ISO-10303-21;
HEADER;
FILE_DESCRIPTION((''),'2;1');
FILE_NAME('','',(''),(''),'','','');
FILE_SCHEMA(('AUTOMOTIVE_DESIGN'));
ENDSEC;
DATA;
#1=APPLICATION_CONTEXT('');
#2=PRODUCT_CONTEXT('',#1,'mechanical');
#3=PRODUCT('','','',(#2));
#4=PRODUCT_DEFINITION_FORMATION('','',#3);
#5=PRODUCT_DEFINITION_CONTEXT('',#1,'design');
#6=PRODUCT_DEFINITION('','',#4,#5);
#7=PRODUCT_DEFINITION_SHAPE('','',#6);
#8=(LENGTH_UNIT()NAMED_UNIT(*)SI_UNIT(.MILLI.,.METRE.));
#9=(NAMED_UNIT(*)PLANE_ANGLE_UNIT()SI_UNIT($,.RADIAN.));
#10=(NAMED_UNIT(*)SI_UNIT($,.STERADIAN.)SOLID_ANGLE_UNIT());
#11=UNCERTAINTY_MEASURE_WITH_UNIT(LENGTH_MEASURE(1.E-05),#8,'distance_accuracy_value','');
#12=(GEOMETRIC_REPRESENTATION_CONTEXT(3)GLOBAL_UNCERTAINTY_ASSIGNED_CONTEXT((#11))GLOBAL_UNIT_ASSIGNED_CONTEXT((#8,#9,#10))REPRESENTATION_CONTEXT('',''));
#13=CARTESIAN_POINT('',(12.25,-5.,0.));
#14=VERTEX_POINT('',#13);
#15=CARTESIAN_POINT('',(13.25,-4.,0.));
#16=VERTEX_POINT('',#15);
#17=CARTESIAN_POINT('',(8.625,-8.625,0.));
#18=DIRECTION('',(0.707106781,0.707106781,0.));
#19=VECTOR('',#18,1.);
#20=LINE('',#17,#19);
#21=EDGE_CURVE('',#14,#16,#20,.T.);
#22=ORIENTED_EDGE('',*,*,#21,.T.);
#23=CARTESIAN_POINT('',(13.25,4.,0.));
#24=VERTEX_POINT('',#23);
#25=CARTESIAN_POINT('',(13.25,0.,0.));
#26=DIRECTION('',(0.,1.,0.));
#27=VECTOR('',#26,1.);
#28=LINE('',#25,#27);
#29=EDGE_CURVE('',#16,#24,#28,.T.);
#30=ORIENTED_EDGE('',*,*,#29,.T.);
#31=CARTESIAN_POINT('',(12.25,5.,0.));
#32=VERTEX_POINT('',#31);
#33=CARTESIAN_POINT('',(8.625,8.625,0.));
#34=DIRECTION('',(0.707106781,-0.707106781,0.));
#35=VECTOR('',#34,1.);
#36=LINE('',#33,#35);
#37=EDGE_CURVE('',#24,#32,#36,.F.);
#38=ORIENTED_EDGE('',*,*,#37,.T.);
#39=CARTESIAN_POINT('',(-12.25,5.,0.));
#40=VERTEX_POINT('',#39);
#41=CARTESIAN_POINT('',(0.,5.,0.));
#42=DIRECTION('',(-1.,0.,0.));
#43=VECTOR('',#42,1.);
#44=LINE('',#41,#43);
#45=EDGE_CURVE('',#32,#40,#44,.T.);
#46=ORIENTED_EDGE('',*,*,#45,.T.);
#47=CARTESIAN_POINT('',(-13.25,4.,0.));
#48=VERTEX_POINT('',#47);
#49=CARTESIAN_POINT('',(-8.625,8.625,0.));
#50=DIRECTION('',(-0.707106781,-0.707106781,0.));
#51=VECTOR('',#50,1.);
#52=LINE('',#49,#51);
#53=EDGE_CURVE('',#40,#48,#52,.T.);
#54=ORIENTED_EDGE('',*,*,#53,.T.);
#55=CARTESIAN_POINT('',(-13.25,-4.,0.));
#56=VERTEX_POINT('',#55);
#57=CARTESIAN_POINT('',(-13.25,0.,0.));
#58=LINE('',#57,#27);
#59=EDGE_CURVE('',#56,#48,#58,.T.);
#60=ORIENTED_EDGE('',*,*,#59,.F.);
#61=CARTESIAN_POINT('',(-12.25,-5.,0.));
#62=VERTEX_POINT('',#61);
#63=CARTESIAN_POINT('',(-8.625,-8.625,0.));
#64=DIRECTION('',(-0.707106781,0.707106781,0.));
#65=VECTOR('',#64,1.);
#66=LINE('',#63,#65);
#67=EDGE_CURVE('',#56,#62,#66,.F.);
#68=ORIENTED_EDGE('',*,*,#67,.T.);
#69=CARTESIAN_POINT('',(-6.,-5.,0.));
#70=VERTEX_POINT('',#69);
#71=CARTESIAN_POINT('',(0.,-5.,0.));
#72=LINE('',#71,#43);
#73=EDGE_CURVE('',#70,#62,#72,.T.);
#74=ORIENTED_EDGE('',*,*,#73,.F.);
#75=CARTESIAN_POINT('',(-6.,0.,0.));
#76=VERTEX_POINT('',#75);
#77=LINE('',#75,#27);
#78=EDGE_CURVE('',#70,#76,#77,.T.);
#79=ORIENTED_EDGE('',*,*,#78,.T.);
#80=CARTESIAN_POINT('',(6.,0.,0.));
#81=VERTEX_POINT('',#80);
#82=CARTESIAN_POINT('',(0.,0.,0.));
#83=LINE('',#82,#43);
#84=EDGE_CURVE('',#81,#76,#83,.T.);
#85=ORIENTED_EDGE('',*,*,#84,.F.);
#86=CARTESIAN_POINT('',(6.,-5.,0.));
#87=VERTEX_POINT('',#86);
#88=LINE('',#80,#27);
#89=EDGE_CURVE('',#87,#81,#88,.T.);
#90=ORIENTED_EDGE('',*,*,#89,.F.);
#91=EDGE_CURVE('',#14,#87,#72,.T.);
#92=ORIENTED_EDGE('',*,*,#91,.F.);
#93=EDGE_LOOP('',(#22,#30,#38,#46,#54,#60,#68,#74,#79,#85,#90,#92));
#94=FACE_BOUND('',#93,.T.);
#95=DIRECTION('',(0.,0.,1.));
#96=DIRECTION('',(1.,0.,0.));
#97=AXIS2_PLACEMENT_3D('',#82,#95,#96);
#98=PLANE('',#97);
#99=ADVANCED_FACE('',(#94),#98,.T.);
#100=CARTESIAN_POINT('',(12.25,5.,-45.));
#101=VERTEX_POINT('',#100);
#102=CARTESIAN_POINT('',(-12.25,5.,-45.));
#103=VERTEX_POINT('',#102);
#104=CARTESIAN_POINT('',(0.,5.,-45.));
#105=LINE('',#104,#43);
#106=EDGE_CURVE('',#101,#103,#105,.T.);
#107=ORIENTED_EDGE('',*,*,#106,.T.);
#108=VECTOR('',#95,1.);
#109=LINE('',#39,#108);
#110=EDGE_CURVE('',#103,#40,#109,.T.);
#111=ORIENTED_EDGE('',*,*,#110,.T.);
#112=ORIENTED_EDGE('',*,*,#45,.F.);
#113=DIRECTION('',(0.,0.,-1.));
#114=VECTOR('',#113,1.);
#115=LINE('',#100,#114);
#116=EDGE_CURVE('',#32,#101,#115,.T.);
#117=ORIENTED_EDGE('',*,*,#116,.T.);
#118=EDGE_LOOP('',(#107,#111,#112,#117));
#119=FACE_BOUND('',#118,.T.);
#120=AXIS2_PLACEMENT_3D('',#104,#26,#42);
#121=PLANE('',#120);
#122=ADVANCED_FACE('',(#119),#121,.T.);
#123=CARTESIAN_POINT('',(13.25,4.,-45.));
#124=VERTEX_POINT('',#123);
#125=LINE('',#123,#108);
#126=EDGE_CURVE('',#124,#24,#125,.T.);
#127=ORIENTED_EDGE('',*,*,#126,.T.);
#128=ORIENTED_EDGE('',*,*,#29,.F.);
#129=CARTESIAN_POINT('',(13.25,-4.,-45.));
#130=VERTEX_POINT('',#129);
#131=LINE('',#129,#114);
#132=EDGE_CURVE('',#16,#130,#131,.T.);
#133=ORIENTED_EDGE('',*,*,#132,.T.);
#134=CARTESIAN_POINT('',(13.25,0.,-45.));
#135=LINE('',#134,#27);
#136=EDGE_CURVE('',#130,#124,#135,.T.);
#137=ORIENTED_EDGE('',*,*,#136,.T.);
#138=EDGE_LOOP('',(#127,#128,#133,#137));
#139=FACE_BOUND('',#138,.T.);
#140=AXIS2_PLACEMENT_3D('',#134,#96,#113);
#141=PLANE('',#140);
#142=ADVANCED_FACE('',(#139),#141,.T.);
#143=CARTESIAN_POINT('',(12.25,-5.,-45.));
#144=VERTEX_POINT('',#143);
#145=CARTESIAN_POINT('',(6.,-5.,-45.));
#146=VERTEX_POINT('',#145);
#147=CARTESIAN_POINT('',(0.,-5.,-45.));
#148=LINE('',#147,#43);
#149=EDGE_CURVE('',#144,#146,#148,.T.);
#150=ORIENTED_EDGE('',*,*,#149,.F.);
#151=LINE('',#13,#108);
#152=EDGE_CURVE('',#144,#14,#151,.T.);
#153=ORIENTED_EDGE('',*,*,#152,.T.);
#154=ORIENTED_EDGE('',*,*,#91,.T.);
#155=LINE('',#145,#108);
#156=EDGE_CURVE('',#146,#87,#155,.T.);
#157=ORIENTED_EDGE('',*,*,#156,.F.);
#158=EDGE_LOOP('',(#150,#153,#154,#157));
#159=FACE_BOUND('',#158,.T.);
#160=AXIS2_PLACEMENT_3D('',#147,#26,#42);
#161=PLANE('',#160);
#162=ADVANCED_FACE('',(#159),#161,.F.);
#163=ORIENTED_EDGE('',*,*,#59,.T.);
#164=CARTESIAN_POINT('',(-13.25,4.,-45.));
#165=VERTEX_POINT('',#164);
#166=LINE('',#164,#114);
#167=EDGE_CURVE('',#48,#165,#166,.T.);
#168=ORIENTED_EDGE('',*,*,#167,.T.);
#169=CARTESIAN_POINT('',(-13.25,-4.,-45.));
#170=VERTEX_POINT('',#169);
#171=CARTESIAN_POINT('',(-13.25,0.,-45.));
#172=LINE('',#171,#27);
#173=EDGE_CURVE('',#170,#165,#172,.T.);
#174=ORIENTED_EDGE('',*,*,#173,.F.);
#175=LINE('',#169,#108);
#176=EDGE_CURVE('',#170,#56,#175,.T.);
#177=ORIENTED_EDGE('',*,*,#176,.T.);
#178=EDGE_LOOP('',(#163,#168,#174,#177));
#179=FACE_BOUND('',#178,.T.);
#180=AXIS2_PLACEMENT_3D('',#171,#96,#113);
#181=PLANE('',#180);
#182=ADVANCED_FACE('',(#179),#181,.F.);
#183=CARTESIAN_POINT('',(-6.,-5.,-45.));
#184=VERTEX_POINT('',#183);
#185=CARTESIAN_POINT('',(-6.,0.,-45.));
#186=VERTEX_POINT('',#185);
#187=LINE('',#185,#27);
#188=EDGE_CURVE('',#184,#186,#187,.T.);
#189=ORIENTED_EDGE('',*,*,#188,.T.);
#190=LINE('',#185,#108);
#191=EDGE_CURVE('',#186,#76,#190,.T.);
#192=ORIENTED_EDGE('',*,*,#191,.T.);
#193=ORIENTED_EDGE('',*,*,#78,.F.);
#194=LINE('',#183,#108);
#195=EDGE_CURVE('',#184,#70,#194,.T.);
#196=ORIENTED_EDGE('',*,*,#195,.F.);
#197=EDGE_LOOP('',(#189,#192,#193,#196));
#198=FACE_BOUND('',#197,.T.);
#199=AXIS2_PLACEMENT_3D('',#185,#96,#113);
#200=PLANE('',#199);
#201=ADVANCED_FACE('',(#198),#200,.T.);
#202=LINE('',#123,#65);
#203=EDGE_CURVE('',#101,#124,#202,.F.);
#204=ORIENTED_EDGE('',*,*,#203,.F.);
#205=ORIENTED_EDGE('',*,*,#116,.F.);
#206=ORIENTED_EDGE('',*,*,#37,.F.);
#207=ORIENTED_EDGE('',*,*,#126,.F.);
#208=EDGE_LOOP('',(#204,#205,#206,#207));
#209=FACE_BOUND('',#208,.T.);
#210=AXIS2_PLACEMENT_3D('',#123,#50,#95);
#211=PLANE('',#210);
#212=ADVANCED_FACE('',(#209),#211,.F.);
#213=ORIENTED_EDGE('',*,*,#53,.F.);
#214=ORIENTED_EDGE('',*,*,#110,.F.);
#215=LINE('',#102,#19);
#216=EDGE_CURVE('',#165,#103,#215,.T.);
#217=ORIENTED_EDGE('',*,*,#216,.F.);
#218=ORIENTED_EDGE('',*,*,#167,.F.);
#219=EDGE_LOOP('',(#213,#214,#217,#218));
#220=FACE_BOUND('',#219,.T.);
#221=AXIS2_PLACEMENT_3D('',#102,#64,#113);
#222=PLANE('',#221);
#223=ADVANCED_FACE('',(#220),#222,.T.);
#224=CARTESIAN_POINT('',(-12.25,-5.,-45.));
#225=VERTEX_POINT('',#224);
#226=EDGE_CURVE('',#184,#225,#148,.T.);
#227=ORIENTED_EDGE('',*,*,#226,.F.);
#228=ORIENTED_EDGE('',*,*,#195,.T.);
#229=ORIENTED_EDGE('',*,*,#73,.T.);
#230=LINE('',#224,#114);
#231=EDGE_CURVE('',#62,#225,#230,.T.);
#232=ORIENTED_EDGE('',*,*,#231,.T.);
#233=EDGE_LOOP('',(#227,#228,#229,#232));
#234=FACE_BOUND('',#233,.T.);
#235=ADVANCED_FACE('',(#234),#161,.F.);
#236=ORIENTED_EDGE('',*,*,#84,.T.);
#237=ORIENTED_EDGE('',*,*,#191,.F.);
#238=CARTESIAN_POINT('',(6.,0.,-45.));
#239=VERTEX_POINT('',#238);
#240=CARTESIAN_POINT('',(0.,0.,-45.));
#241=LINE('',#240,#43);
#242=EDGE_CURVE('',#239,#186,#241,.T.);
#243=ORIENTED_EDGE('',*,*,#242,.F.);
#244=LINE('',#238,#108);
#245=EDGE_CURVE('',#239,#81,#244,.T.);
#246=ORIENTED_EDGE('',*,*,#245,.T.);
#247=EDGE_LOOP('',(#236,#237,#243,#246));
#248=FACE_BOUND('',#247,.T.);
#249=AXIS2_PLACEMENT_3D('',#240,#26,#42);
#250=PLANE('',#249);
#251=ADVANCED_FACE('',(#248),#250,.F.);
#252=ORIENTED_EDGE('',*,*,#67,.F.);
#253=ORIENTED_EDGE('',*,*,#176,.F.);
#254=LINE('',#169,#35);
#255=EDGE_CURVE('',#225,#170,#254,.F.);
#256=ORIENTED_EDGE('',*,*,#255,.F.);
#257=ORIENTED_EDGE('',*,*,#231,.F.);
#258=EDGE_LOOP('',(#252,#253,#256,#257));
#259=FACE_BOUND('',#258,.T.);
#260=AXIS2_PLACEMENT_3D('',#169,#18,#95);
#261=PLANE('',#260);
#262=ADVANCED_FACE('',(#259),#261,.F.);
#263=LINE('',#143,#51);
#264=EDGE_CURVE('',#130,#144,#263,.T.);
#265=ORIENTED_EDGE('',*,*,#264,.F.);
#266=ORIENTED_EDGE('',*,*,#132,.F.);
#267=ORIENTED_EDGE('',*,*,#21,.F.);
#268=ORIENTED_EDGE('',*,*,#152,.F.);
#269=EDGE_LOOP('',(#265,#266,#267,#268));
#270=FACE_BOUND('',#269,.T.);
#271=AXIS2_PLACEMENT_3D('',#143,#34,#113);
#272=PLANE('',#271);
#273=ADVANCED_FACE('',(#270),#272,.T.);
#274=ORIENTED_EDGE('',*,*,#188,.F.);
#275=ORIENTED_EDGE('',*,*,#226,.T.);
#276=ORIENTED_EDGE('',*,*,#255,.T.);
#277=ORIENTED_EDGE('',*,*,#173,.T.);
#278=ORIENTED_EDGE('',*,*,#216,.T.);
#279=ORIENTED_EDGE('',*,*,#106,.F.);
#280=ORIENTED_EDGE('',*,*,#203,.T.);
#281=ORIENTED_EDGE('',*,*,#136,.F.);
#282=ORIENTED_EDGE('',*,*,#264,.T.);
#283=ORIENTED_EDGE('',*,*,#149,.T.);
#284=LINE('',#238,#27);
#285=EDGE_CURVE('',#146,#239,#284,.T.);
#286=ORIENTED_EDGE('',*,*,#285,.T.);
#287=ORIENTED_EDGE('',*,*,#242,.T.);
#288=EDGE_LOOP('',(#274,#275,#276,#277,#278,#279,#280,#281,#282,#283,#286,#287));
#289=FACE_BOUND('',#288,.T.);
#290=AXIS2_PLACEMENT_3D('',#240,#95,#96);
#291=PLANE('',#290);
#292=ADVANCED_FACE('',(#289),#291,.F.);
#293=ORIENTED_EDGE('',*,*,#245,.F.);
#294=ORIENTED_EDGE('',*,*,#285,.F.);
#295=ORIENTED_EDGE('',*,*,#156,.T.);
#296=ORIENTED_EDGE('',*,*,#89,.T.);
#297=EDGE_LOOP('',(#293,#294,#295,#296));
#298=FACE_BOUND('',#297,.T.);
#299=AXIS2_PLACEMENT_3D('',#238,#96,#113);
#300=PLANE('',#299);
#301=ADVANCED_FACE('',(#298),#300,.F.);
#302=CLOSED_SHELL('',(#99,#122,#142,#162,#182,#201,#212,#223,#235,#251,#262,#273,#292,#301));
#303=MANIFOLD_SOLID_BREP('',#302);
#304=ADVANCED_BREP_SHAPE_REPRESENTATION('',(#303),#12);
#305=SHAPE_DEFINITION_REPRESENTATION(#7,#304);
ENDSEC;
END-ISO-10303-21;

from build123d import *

# Parameters (mm, degrees)
BOSS_EXTRUDE1_DEPTH = 45
CHAMFER1_SIZE       = 1


with BuildPart() as part:
    # Sketch1 → Boss-Extrude1 (new body)
    with BuildSketch(Plane.XY):
        Polygon((6, -5), (13.25, -5), (13.25, 5), (-13.25, 5), (-13.25, -5), (-6, -5), (-6, 0), (6, 0), align=None)
    extrude(amount=-BOSS_EXTRUDE1_DEPTH)

    # Chamfer1
    chamfer1_edges = [part.edges().sort_by_distance(p)[0] for p in [
        (-13.25, -5, -22.5),
        (-13.25, 5, -22.5),
        (13.25, 5, -22.5),
        (13.25, -5, -22.5),
    ]]
    chamfer(chamfer1_edges, length=CHAMFER1_SIZE)


solid = part.part
